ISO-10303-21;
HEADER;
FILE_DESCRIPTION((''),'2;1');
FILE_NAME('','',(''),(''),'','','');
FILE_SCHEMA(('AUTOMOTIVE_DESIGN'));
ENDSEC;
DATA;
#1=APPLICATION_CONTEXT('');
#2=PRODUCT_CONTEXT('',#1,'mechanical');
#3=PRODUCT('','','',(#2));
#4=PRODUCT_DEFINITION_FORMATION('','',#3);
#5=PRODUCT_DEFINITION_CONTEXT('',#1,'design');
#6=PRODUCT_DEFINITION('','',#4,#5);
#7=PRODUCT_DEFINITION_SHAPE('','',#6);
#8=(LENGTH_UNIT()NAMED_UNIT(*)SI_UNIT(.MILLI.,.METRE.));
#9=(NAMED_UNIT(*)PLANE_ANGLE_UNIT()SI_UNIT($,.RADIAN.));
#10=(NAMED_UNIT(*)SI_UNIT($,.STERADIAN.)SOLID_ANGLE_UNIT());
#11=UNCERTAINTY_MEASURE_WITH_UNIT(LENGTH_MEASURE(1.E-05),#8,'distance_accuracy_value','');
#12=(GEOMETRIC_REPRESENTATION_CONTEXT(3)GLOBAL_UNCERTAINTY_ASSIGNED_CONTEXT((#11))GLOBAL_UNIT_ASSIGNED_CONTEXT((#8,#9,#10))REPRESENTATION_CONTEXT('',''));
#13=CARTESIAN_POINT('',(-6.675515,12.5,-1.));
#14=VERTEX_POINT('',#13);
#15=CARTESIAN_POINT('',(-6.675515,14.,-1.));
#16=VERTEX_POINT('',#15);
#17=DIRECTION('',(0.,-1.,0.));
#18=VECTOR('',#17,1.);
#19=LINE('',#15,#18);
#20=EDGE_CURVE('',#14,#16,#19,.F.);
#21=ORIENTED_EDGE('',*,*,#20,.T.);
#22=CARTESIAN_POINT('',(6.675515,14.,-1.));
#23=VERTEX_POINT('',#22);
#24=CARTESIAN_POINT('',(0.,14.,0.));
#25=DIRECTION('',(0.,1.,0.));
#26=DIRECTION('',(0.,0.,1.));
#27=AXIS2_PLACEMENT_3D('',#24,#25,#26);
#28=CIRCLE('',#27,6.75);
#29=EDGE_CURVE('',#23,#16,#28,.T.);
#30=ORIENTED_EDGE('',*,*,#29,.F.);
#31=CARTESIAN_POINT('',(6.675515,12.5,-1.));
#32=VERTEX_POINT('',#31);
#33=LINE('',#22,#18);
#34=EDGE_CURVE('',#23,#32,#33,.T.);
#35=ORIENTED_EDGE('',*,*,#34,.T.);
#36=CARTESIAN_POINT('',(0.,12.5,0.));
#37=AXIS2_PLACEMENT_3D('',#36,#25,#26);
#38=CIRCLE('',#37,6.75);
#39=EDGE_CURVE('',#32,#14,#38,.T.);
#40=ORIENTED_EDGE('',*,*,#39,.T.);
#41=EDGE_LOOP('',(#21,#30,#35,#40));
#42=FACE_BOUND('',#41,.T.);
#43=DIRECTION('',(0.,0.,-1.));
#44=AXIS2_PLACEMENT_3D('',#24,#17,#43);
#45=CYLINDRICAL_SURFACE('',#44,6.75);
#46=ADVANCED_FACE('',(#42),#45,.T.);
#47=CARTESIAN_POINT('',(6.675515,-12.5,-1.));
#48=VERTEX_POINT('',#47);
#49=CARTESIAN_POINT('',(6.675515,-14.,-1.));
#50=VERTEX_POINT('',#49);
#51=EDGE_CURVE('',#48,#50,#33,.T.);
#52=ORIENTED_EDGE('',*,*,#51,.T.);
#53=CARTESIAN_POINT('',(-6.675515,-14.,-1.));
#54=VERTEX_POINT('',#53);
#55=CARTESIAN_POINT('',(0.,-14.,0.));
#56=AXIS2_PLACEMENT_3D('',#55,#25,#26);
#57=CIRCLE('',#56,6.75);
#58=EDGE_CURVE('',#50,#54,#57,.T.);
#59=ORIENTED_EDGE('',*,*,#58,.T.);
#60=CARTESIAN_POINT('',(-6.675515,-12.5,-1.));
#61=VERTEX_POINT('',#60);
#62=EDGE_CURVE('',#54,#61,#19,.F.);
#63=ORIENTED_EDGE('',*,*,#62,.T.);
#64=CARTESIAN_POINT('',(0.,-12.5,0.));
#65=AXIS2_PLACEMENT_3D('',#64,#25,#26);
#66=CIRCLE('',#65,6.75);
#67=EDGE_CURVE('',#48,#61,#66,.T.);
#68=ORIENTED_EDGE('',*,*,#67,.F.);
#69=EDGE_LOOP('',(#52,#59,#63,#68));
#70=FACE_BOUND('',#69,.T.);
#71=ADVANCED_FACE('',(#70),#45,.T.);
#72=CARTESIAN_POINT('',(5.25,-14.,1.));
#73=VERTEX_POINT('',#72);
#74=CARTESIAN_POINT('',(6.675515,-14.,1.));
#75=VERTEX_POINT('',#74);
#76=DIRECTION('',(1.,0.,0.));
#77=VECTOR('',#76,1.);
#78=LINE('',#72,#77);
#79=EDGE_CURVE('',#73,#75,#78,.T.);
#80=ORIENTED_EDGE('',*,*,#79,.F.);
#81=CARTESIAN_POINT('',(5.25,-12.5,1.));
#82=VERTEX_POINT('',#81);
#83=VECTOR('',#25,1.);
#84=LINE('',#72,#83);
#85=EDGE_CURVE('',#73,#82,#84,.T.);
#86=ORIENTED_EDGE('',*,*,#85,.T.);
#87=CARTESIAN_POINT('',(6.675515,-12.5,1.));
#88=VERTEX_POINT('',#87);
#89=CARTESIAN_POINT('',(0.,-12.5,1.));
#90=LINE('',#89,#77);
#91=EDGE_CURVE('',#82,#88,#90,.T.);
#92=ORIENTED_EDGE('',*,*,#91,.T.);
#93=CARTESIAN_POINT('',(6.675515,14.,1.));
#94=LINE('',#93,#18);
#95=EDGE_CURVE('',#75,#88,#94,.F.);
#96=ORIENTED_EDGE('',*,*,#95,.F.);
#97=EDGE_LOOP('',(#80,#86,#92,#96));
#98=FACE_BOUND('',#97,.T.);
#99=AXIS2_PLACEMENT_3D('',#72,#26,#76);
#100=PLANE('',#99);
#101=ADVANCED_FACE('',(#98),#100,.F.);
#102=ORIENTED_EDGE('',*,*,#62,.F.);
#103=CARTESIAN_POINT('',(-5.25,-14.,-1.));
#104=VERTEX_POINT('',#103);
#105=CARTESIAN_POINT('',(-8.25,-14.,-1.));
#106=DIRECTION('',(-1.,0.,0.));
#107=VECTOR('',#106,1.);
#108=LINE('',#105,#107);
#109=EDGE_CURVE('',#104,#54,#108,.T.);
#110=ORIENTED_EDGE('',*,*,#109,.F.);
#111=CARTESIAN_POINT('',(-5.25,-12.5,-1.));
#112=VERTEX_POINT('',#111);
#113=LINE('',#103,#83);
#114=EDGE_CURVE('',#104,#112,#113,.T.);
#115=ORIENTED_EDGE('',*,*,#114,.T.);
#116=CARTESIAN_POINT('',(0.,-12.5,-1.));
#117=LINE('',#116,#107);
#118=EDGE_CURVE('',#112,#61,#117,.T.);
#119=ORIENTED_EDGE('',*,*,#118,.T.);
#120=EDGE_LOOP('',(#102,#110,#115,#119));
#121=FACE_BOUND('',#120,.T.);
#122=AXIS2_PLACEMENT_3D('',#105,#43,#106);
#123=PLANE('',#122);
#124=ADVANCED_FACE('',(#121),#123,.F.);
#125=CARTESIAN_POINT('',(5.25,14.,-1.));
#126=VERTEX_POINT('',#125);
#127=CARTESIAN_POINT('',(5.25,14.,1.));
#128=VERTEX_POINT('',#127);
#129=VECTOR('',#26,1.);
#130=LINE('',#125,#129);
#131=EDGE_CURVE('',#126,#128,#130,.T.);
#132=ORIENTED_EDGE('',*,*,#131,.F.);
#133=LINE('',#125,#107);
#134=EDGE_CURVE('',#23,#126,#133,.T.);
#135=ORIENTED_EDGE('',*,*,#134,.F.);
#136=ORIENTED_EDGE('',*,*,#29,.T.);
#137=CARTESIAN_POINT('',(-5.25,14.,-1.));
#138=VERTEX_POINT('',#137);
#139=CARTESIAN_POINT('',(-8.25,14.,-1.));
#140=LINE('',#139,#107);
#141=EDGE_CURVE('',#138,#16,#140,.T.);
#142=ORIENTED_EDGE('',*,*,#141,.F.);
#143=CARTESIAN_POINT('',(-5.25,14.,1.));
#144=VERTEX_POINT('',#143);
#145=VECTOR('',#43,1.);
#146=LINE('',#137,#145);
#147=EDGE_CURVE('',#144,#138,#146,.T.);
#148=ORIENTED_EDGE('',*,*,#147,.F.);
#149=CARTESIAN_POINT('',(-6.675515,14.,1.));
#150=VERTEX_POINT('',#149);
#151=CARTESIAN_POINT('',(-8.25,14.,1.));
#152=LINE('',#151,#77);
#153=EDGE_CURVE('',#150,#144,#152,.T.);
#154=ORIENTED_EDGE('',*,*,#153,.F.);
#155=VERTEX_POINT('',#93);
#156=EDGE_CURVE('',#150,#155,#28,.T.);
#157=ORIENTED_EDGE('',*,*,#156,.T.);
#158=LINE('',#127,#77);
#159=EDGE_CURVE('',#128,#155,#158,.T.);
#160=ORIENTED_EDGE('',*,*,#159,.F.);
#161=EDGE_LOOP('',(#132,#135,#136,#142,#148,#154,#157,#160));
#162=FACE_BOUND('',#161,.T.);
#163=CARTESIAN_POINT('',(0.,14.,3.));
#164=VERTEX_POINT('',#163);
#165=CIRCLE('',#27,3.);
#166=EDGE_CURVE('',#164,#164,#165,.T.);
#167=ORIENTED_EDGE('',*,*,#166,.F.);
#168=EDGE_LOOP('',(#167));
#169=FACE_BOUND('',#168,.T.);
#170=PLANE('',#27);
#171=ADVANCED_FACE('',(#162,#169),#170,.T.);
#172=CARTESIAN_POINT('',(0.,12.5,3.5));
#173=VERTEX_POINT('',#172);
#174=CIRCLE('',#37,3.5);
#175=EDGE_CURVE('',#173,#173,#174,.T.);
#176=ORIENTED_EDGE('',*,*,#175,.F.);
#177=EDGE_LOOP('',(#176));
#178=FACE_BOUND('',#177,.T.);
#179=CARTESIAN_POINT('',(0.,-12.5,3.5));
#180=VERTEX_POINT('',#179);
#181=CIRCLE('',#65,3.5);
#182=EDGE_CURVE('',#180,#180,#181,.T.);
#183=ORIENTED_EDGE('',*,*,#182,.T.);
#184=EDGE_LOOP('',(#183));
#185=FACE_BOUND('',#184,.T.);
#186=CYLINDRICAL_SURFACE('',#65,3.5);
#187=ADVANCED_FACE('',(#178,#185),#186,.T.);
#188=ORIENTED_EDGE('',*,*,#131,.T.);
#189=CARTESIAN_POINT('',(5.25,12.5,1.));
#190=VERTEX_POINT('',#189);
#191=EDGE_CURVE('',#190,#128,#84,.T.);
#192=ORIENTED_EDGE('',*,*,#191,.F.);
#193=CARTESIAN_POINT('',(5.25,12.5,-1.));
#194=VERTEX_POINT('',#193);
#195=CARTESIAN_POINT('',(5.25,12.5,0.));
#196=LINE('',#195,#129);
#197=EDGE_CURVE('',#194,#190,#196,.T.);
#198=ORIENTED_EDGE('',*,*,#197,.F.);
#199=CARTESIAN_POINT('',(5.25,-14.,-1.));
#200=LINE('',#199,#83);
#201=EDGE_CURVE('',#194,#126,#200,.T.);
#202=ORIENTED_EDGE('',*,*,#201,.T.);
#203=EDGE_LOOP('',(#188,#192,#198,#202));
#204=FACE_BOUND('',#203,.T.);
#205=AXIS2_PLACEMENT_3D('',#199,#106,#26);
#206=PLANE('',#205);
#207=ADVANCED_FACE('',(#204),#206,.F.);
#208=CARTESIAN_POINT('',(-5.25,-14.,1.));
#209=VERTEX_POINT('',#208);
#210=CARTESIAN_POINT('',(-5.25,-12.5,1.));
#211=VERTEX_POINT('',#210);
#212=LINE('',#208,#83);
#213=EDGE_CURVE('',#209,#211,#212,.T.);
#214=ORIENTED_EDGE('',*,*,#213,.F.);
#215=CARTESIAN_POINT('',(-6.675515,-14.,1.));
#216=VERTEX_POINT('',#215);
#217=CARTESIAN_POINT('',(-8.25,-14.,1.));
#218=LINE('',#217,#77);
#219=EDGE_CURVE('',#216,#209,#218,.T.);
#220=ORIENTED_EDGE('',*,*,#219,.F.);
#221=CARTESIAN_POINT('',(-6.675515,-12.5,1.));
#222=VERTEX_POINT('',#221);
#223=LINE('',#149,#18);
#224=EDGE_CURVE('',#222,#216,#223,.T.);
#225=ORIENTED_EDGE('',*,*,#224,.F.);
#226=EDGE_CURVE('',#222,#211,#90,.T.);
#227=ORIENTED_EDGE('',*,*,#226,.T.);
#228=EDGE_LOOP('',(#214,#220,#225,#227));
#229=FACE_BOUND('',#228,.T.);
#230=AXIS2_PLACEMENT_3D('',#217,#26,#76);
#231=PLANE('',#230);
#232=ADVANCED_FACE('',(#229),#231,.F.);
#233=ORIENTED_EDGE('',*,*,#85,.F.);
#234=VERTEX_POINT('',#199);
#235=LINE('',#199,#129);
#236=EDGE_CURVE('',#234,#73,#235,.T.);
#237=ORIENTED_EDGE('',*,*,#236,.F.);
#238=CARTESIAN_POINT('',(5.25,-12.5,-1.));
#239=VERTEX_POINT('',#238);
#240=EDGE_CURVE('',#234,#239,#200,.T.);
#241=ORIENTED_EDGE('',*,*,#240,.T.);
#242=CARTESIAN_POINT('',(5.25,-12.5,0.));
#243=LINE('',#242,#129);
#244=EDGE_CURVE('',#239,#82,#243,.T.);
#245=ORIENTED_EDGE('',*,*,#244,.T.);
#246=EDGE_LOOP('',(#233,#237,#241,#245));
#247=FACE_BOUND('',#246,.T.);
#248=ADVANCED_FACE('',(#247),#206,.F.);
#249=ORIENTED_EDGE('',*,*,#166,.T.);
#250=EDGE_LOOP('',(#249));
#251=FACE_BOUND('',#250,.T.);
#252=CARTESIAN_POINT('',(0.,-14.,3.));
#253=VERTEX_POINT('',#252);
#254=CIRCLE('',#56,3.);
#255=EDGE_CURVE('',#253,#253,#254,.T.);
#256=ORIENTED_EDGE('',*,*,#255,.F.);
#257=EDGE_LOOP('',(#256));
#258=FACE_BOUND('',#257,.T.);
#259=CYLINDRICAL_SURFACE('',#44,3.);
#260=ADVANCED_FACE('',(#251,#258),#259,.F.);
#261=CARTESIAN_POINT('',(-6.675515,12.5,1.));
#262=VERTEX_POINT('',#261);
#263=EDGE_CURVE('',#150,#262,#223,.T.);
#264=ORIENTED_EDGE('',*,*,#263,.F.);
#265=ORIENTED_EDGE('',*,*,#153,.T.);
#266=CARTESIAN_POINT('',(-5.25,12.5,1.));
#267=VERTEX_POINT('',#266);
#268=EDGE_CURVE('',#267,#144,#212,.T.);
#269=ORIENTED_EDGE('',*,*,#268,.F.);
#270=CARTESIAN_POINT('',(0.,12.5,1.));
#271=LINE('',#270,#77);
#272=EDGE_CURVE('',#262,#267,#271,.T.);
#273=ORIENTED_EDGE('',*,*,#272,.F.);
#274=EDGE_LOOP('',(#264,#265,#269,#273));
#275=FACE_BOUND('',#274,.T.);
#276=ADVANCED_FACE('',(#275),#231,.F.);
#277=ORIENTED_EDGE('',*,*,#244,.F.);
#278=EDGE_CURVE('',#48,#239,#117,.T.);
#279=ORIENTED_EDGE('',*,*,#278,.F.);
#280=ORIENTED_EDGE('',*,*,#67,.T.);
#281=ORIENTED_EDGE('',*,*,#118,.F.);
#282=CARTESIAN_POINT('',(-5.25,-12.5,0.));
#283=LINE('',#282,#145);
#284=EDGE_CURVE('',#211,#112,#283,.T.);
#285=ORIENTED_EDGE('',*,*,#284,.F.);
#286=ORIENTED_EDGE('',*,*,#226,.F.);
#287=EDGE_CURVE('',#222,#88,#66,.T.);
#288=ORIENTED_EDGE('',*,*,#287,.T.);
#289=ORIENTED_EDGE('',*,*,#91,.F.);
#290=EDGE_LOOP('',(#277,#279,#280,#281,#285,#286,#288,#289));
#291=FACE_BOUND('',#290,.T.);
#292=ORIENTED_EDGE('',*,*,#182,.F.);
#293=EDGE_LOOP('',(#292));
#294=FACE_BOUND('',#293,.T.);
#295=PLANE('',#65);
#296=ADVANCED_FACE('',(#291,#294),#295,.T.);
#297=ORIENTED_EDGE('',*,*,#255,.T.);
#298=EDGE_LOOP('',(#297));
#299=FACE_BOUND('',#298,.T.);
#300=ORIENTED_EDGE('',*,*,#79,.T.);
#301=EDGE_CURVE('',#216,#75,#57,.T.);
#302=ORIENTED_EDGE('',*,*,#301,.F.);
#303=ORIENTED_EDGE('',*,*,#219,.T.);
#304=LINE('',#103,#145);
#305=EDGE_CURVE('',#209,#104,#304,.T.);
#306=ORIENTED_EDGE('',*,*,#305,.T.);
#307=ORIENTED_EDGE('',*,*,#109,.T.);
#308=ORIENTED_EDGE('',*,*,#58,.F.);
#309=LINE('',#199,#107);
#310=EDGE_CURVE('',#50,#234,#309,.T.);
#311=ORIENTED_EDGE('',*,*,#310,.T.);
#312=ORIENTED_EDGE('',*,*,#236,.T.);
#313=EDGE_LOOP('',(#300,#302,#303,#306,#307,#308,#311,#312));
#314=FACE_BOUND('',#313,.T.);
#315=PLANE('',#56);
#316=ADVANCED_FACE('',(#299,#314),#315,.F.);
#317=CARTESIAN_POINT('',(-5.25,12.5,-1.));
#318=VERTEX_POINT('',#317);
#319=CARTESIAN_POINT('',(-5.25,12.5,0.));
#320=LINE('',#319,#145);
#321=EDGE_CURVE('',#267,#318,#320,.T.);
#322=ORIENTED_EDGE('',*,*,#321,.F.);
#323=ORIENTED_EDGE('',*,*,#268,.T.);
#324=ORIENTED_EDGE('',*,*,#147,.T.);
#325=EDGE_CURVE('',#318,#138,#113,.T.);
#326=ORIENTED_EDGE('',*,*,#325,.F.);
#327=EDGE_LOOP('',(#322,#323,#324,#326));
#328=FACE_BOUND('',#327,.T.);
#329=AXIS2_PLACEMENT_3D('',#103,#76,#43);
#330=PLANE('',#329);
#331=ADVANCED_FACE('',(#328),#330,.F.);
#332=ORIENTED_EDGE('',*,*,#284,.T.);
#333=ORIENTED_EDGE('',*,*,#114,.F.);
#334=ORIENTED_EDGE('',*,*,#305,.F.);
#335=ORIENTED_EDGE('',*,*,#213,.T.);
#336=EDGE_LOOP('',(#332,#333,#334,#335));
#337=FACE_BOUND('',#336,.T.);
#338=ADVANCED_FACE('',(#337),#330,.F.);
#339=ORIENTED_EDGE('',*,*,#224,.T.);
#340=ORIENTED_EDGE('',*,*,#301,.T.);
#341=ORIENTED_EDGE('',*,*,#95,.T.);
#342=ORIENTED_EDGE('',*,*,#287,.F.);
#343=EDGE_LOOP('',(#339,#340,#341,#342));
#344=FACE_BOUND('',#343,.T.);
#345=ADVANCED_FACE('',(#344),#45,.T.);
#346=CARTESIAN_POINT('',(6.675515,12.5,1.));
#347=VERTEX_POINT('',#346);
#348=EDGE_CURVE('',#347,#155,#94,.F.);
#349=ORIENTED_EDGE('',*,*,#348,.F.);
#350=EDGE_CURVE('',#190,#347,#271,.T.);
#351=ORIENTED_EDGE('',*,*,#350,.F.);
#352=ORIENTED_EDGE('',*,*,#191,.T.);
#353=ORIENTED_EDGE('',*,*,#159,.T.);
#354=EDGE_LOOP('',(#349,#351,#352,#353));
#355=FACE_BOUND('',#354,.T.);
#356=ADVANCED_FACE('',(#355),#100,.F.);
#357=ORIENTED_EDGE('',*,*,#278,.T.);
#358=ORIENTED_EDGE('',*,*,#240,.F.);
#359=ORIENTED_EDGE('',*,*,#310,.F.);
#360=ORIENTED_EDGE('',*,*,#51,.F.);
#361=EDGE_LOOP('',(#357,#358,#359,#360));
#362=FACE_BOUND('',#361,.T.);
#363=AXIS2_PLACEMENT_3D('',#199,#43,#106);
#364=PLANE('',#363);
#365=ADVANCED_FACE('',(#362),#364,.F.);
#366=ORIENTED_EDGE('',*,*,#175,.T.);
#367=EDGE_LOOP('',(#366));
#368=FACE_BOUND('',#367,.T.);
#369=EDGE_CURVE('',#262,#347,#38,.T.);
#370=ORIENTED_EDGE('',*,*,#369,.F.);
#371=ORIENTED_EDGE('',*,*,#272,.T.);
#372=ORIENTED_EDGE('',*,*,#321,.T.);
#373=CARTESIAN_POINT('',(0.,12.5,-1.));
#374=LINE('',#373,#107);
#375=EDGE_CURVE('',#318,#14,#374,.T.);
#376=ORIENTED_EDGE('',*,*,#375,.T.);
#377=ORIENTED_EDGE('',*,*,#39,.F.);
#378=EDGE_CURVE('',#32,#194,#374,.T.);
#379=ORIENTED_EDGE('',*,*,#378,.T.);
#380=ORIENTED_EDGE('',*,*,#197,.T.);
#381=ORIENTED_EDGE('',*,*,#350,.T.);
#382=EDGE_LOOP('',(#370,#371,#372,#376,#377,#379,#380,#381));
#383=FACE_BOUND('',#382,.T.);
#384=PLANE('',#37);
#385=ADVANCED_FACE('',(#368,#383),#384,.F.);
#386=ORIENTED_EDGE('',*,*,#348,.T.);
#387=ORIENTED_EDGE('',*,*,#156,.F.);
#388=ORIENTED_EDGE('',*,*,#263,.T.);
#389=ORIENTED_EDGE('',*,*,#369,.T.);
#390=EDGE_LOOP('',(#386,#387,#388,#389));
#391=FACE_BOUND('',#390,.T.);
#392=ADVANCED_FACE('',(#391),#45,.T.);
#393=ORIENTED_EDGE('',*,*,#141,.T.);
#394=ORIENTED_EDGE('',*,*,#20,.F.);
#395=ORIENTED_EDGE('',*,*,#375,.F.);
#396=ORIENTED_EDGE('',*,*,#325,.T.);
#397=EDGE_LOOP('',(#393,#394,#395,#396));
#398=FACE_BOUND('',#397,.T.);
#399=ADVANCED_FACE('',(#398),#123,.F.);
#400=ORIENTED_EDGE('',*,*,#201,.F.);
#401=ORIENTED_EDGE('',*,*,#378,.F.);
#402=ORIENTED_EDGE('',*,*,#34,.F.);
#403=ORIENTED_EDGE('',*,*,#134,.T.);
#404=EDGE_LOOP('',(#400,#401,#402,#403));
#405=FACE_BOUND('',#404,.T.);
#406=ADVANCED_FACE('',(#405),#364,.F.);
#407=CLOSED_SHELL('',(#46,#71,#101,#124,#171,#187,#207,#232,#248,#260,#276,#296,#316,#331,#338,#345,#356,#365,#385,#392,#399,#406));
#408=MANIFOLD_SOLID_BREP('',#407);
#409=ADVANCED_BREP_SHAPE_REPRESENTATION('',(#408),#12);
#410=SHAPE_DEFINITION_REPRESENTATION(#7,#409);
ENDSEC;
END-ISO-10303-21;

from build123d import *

# Parameters (mm, degrees)
SKETCH_1_R          = 6.75
SKETCH_1_R_2        = 3
EXTRUDE_1_DEPTH     = 14
SKETCH_2_R          = 11.31533916
SKETCH_2_R_2        = 3.5
CUT_EXTRUDE_1_DEPTH = 12.5
SKETCH_4_W          = 3
SKETCH_4_H          = 2
CUT_EXTRUDE_2_DEPTH = 30.582511726


with BuildPart() as part:
    # 草图1 → 凸台-拉伸1 (new, symmetric)
    with BuildSketch(Plane(origin=(0, 0, 0), x_dir=(1, 0, 0), z_dir=(0, 1, 0))):
        with Locations(Location((0, 0, 0), (0, 0, 270))):
            Circle(SKETCH_1_R)
        with Locations(Location((0, 0, 0), (0, 0, 270))):
            Circle(SKETCH_1_R_2, mode=Mode.SUBTRACT)
    extrude(amount=EXTRUDE_1_DEPTH, both=True)

    # 草图2 → 切除-拉伸1 (cut, symmetric)
    with BuildSketch(Plane(origin=(0, 0, 0), x_dir=(1, 0, 0), z_dir=(0, 1, 0))):
        Circle(SKETCH_2_R)
        with Locations(Location((0, 0, 0), (0, 0, 270))):
            Circle(SKETCH_2_R_2, mode=Mode.SUBTRACT)
    extrude(amount=CUT_EXTRUDE_1_DEPTH, both=True, mode=Mode.SUBTRACT)

    # 草图4 → 切除-拉伸2 (cut, through all)
    with BuildSketch(Plane(origin=(0, 14, 0), x_dir=(1, 0, 0), z_dir=(0, 1, 0))):
        with Locations((-6.75, 0)):
            Rectangle(SKETCH_4_W, SKETCH_4_H)
        with Locations((6.75, 0)):
            Rectangle(SKETCH_4_W, SKETCH_4_H)
    extrude(amount=-CUT_EXTRUDE_2_DEPTH, mode=Mode.SUBTRACT)


solid = part.part
